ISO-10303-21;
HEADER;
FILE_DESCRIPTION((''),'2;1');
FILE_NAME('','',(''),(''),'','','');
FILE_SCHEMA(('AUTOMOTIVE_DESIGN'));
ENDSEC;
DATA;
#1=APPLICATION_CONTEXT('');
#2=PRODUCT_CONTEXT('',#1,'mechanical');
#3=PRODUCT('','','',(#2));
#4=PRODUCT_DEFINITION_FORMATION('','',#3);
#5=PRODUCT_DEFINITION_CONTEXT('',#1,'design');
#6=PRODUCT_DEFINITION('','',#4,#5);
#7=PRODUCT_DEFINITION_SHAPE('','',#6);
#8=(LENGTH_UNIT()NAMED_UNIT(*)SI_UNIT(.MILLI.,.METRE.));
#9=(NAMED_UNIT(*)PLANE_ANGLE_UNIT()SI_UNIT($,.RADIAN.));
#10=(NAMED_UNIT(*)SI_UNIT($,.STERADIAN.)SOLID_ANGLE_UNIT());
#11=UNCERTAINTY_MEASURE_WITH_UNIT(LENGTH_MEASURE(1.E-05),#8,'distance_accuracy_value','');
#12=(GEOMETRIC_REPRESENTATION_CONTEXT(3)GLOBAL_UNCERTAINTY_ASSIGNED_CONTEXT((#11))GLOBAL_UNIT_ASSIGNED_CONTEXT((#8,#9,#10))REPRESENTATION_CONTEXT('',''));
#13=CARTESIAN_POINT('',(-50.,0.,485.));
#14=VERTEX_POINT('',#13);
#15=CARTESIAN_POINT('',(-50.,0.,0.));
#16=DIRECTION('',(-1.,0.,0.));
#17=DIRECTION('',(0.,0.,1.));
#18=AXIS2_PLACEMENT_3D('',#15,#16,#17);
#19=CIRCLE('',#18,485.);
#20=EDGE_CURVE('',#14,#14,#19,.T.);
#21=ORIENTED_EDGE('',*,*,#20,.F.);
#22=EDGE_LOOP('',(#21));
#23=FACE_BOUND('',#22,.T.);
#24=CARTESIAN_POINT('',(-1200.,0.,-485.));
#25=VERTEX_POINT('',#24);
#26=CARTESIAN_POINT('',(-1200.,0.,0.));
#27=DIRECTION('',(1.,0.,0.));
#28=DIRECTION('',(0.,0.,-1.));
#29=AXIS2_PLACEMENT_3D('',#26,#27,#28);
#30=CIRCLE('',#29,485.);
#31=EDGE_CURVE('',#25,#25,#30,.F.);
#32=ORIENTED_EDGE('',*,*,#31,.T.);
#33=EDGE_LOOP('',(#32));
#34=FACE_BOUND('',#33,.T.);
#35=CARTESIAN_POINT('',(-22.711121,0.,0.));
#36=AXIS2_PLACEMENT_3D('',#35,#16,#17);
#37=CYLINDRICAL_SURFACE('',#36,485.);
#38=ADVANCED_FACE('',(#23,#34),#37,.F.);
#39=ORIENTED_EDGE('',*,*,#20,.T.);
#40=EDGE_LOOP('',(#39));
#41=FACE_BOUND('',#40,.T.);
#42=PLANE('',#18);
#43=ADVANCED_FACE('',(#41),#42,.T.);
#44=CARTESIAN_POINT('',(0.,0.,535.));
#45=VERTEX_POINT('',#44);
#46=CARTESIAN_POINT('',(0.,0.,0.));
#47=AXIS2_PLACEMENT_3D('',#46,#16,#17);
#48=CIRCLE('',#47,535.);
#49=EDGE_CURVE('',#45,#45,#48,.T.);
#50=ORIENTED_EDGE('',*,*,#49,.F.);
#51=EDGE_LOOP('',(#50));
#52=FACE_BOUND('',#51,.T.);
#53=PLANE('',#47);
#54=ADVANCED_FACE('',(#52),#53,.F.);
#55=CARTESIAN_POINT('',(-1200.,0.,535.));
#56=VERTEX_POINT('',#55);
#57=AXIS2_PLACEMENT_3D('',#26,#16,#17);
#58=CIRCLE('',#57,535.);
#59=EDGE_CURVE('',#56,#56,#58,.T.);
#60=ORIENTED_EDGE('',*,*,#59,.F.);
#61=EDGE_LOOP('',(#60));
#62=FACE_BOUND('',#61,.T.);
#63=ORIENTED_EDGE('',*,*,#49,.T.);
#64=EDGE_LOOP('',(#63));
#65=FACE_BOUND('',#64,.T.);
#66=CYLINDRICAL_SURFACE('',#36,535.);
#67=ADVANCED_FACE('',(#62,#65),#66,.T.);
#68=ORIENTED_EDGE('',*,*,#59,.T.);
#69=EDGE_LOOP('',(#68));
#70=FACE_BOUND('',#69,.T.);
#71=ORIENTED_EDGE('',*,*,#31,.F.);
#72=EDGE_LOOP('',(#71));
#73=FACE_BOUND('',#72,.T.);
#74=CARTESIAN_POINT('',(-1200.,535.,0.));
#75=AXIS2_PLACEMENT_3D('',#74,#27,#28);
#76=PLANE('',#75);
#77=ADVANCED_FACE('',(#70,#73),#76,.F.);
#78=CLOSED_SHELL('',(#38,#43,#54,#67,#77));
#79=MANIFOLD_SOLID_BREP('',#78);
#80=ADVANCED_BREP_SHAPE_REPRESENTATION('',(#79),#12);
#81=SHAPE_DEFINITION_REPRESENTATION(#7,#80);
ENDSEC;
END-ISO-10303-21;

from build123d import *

# Parameters (mm, degrees)
SKETCH1_W = 1200
SKETCH1_H = 535
SHELL1_T  = -50


with BuildPart() as part:
    # Sketch1 → Revolve1 (revolve)
    with BuildSketch(Plane.XY, mode=Mode.PRIVATE) as revolve1_sk:
        with Locations((-600, 267.5)):
            Rectangle(SKETCH1_W, SKETCH1_H)
    revolve(revolve1_sk.sketch.rotate(Axis((-22.711120792, 0, 0), (1, 0, 0)), 90), axis=Axis((-22.711120792, 0, 0), (1, 0, 0)))

    # Shell1
    shell1_openings = [part.faces().sort_by_distance(p)[0] for p in [
        (-1200, 0, 0),
    ]]
    offset(amount=SHELL1_T, openings=shell1_openings, kind=Kind.INTERSECTION)


solid = part.part
